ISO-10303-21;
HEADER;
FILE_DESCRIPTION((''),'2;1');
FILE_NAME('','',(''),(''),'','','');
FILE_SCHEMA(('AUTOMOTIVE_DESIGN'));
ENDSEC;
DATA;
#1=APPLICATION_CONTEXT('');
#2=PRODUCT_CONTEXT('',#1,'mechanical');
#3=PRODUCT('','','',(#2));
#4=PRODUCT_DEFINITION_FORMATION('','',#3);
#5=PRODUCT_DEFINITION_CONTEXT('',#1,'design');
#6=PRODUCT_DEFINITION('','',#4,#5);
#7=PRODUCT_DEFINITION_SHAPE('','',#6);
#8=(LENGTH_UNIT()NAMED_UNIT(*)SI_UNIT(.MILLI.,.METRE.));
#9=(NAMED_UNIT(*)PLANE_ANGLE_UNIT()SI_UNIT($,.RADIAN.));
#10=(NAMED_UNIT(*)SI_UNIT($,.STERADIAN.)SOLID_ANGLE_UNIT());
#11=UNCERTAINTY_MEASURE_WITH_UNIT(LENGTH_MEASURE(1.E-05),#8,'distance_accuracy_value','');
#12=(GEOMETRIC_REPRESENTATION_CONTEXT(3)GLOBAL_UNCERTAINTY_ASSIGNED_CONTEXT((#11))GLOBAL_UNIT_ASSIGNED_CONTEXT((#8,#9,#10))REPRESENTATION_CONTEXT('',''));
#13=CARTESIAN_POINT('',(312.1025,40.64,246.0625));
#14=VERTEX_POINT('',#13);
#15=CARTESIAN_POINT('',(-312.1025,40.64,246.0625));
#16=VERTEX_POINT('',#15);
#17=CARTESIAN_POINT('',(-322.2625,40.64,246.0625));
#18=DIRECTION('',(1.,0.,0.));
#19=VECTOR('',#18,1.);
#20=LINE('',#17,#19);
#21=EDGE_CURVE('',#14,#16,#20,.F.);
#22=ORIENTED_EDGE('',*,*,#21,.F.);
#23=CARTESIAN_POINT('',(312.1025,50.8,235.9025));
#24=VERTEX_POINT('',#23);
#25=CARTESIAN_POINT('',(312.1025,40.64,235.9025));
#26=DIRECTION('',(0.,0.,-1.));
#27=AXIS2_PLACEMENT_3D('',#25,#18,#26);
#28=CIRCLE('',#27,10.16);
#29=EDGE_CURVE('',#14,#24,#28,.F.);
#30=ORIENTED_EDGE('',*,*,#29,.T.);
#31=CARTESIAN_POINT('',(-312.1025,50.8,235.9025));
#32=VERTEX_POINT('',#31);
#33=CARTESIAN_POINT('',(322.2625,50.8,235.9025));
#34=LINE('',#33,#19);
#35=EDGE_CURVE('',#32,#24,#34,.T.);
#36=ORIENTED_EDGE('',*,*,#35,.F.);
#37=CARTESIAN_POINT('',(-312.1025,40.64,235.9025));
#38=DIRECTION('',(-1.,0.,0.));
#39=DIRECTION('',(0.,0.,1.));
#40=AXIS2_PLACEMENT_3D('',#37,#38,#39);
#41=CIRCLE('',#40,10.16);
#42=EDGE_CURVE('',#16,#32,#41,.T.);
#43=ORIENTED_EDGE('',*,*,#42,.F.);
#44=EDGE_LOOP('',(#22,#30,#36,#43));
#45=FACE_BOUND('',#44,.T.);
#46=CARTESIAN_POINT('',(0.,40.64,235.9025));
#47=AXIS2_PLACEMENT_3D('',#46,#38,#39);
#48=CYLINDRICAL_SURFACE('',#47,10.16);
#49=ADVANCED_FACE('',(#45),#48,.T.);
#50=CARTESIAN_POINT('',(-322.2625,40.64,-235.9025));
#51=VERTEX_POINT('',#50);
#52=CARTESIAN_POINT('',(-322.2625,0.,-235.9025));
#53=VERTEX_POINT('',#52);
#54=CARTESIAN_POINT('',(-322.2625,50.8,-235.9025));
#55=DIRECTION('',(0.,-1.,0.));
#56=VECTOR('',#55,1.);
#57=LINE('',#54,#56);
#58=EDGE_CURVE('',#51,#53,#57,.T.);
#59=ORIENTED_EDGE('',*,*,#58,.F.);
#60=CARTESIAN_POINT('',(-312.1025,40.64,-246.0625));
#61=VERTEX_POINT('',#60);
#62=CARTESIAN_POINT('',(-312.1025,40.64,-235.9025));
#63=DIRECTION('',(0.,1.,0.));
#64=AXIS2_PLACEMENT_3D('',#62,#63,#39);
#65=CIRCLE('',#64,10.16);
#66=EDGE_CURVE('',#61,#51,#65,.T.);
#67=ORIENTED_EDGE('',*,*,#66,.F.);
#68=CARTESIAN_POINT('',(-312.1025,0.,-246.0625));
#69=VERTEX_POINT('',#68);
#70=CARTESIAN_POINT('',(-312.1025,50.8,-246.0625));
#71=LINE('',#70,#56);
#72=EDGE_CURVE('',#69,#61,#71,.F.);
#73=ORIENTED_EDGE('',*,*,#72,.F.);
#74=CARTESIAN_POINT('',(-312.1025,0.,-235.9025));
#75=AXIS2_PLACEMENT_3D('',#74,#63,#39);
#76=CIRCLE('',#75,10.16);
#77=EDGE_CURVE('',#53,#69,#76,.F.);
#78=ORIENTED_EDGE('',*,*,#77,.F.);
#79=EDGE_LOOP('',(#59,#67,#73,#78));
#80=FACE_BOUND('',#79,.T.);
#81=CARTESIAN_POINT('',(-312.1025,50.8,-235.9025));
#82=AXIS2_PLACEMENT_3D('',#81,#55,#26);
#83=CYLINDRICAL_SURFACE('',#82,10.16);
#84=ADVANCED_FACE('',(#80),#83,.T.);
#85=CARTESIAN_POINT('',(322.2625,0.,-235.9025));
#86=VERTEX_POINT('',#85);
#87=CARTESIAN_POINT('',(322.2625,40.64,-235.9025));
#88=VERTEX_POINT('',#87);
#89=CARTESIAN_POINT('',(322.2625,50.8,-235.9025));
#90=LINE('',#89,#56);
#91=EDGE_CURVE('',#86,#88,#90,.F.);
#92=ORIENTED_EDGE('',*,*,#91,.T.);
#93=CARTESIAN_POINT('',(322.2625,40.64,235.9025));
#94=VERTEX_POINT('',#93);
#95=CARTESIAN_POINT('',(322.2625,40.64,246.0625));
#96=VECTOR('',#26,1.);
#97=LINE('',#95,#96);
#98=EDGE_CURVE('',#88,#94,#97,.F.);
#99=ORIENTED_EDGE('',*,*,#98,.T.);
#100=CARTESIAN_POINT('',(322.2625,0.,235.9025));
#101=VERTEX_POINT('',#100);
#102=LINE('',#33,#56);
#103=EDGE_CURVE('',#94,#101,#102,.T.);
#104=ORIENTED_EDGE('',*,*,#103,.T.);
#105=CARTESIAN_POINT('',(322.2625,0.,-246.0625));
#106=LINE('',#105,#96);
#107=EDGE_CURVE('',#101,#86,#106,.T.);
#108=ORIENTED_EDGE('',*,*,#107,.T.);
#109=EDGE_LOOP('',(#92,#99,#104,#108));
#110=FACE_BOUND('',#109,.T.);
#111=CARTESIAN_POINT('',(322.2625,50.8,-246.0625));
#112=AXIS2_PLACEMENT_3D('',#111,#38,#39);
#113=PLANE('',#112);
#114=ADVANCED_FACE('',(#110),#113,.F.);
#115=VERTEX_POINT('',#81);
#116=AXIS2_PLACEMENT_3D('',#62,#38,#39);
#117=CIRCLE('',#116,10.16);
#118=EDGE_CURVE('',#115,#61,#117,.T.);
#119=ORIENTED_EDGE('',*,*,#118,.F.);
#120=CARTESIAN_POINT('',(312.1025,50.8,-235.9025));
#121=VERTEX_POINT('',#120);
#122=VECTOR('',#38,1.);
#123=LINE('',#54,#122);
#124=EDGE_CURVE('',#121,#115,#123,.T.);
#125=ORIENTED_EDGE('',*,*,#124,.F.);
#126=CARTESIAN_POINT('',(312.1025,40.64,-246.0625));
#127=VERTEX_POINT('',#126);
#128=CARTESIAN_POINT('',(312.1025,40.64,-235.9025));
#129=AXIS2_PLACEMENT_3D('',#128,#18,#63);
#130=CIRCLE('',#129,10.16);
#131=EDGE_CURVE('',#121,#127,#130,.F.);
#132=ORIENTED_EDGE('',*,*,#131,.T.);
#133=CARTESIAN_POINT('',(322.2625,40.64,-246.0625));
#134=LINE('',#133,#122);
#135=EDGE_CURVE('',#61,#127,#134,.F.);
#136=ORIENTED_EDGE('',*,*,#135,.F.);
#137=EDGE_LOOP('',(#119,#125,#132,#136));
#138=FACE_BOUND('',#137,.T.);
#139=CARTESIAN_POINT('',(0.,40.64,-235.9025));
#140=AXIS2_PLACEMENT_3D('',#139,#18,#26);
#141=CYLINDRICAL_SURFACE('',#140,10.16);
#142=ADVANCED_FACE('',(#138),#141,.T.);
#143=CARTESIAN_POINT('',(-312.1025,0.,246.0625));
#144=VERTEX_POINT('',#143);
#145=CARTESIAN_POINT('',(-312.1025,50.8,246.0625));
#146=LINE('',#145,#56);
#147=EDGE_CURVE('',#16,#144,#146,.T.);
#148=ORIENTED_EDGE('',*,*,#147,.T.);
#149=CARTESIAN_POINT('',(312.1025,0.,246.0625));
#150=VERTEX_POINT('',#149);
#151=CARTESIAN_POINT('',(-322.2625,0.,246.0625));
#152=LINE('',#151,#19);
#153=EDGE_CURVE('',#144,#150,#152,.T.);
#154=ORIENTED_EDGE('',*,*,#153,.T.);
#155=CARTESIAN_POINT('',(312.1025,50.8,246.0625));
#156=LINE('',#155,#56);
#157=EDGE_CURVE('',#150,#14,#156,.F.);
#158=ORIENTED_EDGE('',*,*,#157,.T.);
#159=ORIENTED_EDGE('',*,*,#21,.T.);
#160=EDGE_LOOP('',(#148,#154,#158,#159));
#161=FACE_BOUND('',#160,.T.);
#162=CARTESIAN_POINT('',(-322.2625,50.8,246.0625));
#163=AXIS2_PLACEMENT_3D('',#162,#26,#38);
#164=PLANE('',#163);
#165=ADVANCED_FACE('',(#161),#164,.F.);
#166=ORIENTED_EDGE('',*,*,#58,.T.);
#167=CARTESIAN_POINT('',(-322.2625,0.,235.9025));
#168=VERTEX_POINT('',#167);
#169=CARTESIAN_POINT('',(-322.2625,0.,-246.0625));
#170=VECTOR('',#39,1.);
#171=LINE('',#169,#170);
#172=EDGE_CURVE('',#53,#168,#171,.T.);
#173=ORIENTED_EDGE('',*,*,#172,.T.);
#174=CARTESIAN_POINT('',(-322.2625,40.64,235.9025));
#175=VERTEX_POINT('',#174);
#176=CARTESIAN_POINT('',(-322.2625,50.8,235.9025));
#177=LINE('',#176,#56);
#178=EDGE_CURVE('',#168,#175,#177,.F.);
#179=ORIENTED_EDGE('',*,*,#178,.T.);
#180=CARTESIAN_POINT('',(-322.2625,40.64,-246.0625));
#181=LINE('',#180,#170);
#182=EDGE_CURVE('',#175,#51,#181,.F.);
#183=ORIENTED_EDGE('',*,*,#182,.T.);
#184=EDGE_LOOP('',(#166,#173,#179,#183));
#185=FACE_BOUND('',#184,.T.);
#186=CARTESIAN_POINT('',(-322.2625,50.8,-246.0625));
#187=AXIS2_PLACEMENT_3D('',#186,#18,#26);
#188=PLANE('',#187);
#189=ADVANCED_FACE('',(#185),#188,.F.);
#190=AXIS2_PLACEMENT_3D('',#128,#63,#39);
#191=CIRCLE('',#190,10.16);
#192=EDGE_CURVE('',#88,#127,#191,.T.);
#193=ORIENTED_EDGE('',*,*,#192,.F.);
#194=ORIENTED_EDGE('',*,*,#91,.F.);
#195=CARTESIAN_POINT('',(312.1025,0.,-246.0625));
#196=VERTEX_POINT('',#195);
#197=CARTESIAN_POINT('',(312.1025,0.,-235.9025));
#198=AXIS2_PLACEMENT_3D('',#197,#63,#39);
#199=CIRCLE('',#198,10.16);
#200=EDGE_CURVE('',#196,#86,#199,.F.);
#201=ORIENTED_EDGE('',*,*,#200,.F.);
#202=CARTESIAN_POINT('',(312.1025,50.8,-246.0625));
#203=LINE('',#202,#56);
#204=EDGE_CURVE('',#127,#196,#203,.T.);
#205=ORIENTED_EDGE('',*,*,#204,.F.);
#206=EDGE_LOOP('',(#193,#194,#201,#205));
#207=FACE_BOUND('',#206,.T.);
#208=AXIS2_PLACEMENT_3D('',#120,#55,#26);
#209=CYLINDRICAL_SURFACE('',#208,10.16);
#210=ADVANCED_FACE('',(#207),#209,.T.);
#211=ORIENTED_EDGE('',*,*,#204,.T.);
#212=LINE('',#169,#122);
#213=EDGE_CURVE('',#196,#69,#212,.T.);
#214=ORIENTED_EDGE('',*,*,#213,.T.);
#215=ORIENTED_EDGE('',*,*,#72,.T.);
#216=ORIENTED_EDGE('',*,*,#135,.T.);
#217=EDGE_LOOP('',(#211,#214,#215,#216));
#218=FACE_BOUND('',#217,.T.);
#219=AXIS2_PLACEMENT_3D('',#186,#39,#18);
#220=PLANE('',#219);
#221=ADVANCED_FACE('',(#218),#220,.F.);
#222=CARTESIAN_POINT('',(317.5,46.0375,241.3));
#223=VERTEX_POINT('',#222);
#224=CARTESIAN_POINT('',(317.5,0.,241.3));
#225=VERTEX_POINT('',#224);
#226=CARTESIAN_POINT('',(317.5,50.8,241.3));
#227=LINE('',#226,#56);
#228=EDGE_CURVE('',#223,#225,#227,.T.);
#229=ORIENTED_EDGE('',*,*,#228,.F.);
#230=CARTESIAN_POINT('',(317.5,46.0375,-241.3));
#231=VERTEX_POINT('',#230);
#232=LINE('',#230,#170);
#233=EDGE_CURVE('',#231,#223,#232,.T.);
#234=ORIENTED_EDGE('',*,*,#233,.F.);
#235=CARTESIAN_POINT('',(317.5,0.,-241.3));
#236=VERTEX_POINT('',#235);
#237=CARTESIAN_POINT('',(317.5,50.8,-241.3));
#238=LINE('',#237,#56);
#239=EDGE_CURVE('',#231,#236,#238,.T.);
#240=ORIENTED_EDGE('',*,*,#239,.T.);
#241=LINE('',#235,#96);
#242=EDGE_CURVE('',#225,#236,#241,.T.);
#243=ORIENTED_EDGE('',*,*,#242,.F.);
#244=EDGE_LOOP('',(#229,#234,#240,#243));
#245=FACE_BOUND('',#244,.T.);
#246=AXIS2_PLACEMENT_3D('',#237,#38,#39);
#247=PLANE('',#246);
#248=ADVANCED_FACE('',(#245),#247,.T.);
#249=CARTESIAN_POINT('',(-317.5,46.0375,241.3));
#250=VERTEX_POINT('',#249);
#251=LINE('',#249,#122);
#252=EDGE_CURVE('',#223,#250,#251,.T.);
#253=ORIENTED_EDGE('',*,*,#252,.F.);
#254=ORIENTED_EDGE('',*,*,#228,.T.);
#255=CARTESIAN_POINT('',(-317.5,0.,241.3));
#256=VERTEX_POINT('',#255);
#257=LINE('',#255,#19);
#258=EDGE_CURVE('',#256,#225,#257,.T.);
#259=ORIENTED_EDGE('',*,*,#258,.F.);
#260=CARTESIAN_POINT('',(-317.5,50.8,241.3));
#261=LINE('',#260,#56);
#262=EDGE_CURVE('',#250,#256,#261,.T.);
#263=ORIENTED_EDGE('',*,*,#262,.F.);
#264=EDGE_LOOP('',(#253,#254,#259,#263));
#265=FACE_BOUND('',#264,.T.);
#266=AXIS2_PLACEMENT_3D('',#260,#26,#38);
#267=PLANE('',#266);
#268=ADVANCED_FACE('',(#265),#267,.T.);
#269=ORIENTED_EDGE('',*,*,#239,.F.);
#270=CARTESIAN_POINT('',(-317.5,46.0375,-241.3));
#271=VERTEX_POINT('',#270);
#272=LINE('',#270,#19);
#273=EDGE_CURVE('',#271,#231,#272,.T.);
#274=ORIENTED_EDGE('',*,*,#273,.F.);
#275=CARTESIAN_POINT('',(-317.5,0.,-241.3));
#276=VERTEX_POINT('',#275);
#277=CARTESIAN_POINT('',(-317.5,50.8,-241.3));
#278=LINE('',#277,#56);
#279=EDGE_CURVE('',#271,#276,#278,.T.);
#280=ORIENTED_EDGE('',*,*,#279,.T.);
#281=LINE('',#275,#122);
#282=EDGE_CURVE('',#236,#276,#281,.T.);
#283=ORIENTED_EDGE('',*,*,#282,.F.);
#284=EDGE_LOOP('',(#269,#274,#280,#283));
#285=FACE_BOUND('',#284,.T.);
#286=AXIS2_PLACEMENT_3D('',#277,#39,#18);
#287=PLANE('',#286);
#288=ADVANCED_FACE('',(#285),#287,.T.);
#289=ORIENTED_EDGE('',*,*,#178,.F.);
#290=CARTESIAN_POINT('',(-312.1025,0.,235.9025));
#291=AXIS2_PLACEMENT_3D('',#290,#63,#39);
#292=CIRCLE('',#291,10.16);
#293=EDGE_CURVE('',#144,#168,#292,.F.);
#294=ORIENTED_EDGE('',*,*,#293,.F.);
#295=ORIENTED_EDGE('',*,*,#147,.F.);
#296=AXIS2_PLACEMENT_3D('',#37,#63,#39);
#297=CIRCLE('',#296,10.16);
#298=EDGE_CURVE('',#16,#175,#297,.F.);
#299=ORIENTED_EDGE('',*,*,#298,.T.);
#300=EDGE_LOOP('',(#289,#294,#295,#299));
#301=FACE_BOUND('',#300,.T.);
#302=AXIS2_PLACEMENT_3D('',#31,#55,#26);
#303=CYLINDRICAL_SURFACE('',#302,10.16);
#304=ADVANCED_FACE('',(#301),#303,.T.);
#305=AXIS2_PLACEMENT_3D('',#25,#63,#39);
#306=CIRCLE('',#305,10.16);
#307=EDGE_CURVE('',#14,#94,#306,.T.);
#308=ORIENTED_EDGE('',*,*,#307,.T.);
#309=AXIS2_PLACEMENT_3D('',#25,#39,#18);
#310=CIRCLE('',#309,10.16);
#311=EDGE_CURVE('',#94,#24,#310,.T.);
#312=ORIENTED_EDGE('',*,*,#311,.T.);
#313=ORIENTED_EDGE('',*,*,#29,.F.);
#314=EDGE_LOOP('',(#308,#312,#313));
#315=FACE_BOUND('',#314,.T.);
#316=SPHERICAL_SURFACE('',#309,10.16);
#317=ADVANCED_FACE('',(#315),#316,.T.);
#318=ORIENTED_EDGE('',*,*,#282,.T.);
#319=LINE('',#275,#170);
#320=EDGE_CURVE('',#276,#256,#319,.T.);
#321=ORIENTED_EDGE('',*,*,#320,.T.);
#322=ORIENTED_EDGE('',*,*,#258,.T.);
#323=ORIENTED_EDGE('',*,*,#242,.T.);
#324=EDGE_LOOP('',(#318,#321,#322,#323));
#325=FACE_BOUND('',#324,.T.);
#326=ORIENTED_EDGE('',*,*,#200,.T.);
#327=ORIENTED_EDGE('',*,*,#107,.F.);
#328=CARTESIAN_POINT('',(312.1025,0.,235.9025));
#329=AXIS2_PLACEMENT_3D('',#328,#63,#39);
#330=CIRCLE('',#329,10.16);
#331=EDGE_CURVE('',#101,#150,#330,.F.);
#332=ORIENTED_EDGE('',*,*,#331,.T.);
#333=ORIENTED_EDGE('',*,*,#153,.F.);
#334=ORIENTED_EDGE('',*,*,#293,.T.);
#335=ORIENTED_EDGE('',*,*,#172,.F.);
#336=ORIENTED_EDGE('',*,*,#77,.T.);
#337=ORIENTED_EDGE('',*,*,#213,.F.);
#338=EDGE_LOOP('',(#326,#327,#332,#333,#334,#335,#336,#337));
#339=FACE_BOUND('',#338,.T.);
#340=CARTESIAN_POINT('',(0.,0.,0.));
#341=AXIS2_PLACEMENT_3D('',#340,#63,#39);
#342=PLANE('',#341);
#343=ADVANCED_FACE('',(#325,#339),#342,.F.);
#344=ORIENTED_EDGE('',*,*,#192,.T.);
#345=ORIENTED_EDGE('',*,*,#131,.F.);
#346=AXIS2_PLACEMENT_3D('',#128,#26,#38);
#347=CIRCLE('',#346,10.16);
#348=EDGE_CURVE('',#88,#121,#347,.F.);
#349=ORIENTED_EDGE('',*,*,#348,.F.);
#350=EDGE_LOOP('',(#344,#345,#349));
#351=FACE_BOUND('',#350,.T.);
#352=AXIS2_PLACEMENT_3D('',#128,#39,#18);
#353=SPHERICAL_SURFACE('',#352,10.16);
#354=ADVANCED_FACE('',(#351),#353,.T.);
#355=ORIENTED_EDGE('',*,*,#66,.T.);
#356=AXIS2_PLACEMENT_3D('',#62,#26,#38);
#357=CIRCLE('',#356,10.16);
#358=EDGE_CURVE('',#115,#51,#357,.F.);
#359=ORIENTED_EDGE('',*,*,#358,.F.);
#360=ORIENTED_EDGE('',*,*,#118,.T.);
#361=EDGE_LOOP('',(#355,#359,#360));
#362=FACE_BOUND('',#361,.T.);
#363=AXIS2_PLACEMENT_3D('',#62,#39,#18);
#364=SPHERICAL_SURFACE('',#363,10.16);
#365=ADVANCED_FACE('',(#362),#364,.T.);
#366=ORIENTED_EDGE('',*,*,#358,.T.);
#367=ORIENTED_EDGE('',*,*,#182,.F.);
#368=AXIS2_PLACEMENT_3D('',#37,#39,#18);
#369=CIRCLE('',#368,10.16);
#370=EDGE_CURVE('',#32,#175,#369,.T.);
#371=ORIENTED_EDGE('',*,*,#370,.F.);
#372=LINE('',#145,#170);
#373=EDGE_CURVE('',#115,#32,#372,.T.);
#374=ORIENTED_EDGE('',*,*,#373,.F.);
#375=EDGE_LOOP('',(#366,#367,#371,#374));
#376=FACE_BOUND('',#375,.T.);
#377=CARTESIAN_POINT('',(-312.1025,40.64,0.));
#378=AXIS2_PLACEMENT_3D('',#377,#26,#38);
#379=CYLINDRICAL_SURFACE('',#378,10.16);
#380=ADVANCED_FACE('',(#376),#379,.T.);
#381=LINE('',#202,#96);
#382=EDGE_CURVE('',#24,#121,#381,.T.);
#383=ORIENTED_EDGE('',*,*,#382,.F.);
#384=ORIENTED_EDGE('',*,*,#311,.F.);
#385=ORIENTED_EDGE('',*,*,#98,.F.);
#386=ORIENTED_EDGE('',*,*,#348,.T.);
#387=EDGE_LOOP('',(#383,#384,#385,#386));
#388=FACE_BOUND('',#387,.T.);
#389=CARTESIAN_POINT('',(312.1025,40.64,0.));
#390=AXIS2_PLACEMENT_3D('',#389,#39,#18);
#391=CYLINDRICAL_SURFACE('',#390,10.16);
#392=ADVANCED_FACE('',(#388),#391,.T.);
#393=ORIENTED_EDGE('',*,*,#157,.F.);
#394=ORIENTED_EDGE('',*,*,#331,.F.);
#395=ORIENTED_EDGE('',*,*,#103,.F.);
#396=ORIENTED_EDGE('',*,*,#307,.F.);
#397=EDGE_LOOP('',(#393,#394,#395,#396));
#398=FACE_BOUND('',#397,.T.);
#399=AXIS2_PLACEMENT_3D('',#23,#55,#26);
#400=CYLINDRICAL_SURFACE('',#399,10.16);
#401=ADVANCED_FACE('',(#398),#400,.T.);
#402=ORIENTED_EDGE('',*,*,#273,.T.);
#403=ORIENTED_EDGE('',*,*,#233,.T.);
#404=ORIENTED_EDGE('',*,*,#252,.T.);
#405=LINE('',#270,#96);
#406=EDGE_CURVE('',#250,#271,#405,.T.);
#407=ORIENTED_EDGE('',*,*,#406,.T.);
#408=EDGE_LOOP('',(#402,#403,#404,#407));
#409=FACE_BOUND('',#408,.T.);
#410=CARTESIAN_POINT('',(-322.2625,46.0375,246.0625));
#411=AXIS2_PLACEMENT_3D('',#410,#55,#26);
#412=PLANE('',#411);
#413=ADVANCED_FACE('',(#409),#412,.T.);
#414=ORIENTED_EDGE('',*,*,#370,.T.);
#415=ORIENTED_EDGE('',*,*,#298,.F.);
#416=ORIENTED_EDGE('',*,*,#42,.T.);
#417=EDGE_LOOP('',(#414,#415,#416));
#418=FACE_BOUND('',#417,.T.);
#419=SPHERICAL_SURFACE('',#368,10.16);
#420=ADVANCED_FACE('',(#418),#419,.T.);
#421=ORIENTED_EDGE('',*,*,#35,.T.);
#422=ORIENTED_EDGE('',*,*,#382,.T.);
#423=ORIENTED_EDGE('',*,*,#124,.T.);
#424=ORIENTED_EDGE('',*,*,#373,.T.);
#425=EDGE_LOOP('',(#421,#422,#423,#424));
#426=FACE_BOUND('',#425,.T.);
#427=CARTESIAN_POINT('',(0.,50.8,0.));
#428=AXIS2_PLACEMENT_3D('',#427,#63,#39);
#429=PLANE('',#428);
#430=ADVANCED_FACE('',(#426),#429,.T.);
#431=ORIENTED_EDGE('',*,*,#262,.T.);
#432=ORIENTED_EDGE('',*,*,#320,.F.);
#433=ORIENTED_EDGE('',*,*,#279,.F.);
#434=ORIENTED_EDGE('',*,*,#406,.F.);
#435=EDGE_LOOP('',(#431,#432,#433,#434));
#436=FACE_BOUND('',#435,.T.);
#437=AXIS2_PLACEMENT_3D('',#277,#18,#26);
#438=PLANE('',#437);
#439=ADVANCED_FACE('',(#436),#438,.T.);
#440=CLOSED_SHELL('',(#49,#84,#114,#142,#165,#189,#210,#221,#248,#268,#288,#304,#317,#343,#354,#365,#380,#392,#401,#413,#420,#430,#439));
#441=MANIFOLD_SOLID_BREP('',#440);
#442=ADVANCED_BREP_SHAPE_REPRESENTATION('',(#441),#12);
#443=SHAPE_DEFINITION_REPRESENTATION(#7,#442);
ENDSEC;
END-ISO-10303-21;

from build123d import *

# Parameters (mm, degrees)
SKETCH1_W           = 644.525
SKETCH1_H           = 492.125
SKETCH1_W_2         = 635
SKETCH1_H_2         = 482.6
BOSS_EXTRUDE1_DEPTH = 50.8
SKETCH2_W           = 492.125
SKETCH2_H           = 4.7625
BOSS_EXTRUDE2_DEPTH = 644.525
FILLET1_R           = 10.16


with BuildPart() as part:
    # Sketch1 → Boss-Extrude1 (new body)
    with BuildSketch(Plane(origin=(0, 0, 0), x_dir=(1, 0, 0), z_dir=(0, 1, 0))):
        Rectangle(SKETCH1_W, SKETCH1_H)
        Rectangle(SKETCH1_W_2, SKETCH1_H_2, mode=Mode.SUBTRACT)
    extrude(amount=BOSS_EXTRUDE1_DEPTH)

    # Sketch2 → Boss-Extrude2 (add)
    with BuildSketch(Plane(origin=(322.2625, 0, 0), x_dir=(0, 0, -1), z_dir=(1, 0, 0))):
        with Locations((0, 48.41875)):
            Rectangle(SKETCH2_W, SKETCH2_H)
    extrude(amount=-BOSS_EXTRUDE2_DEPTH)

    # Fillet1
    fillet1_edges = [part.edges().sort_by_distance(p)[0] for p in [
        (-322.2625, 50.8, 0),
        (0, 50.8, 246.0625),
        (322.2625, 50.8, 0),
        (0, 50.8, -246.0625),
        (322.2625, 25.4, 246.0625),
        (-322.2625, 25.4, 246.0625),
        (-322.2625, 25.4, -246.0625),
        (322.2625, 25.4, -246.0625),
    ]]
    fillet(fillet1_edges, radius=FILLET1_R)


solid = part.part
